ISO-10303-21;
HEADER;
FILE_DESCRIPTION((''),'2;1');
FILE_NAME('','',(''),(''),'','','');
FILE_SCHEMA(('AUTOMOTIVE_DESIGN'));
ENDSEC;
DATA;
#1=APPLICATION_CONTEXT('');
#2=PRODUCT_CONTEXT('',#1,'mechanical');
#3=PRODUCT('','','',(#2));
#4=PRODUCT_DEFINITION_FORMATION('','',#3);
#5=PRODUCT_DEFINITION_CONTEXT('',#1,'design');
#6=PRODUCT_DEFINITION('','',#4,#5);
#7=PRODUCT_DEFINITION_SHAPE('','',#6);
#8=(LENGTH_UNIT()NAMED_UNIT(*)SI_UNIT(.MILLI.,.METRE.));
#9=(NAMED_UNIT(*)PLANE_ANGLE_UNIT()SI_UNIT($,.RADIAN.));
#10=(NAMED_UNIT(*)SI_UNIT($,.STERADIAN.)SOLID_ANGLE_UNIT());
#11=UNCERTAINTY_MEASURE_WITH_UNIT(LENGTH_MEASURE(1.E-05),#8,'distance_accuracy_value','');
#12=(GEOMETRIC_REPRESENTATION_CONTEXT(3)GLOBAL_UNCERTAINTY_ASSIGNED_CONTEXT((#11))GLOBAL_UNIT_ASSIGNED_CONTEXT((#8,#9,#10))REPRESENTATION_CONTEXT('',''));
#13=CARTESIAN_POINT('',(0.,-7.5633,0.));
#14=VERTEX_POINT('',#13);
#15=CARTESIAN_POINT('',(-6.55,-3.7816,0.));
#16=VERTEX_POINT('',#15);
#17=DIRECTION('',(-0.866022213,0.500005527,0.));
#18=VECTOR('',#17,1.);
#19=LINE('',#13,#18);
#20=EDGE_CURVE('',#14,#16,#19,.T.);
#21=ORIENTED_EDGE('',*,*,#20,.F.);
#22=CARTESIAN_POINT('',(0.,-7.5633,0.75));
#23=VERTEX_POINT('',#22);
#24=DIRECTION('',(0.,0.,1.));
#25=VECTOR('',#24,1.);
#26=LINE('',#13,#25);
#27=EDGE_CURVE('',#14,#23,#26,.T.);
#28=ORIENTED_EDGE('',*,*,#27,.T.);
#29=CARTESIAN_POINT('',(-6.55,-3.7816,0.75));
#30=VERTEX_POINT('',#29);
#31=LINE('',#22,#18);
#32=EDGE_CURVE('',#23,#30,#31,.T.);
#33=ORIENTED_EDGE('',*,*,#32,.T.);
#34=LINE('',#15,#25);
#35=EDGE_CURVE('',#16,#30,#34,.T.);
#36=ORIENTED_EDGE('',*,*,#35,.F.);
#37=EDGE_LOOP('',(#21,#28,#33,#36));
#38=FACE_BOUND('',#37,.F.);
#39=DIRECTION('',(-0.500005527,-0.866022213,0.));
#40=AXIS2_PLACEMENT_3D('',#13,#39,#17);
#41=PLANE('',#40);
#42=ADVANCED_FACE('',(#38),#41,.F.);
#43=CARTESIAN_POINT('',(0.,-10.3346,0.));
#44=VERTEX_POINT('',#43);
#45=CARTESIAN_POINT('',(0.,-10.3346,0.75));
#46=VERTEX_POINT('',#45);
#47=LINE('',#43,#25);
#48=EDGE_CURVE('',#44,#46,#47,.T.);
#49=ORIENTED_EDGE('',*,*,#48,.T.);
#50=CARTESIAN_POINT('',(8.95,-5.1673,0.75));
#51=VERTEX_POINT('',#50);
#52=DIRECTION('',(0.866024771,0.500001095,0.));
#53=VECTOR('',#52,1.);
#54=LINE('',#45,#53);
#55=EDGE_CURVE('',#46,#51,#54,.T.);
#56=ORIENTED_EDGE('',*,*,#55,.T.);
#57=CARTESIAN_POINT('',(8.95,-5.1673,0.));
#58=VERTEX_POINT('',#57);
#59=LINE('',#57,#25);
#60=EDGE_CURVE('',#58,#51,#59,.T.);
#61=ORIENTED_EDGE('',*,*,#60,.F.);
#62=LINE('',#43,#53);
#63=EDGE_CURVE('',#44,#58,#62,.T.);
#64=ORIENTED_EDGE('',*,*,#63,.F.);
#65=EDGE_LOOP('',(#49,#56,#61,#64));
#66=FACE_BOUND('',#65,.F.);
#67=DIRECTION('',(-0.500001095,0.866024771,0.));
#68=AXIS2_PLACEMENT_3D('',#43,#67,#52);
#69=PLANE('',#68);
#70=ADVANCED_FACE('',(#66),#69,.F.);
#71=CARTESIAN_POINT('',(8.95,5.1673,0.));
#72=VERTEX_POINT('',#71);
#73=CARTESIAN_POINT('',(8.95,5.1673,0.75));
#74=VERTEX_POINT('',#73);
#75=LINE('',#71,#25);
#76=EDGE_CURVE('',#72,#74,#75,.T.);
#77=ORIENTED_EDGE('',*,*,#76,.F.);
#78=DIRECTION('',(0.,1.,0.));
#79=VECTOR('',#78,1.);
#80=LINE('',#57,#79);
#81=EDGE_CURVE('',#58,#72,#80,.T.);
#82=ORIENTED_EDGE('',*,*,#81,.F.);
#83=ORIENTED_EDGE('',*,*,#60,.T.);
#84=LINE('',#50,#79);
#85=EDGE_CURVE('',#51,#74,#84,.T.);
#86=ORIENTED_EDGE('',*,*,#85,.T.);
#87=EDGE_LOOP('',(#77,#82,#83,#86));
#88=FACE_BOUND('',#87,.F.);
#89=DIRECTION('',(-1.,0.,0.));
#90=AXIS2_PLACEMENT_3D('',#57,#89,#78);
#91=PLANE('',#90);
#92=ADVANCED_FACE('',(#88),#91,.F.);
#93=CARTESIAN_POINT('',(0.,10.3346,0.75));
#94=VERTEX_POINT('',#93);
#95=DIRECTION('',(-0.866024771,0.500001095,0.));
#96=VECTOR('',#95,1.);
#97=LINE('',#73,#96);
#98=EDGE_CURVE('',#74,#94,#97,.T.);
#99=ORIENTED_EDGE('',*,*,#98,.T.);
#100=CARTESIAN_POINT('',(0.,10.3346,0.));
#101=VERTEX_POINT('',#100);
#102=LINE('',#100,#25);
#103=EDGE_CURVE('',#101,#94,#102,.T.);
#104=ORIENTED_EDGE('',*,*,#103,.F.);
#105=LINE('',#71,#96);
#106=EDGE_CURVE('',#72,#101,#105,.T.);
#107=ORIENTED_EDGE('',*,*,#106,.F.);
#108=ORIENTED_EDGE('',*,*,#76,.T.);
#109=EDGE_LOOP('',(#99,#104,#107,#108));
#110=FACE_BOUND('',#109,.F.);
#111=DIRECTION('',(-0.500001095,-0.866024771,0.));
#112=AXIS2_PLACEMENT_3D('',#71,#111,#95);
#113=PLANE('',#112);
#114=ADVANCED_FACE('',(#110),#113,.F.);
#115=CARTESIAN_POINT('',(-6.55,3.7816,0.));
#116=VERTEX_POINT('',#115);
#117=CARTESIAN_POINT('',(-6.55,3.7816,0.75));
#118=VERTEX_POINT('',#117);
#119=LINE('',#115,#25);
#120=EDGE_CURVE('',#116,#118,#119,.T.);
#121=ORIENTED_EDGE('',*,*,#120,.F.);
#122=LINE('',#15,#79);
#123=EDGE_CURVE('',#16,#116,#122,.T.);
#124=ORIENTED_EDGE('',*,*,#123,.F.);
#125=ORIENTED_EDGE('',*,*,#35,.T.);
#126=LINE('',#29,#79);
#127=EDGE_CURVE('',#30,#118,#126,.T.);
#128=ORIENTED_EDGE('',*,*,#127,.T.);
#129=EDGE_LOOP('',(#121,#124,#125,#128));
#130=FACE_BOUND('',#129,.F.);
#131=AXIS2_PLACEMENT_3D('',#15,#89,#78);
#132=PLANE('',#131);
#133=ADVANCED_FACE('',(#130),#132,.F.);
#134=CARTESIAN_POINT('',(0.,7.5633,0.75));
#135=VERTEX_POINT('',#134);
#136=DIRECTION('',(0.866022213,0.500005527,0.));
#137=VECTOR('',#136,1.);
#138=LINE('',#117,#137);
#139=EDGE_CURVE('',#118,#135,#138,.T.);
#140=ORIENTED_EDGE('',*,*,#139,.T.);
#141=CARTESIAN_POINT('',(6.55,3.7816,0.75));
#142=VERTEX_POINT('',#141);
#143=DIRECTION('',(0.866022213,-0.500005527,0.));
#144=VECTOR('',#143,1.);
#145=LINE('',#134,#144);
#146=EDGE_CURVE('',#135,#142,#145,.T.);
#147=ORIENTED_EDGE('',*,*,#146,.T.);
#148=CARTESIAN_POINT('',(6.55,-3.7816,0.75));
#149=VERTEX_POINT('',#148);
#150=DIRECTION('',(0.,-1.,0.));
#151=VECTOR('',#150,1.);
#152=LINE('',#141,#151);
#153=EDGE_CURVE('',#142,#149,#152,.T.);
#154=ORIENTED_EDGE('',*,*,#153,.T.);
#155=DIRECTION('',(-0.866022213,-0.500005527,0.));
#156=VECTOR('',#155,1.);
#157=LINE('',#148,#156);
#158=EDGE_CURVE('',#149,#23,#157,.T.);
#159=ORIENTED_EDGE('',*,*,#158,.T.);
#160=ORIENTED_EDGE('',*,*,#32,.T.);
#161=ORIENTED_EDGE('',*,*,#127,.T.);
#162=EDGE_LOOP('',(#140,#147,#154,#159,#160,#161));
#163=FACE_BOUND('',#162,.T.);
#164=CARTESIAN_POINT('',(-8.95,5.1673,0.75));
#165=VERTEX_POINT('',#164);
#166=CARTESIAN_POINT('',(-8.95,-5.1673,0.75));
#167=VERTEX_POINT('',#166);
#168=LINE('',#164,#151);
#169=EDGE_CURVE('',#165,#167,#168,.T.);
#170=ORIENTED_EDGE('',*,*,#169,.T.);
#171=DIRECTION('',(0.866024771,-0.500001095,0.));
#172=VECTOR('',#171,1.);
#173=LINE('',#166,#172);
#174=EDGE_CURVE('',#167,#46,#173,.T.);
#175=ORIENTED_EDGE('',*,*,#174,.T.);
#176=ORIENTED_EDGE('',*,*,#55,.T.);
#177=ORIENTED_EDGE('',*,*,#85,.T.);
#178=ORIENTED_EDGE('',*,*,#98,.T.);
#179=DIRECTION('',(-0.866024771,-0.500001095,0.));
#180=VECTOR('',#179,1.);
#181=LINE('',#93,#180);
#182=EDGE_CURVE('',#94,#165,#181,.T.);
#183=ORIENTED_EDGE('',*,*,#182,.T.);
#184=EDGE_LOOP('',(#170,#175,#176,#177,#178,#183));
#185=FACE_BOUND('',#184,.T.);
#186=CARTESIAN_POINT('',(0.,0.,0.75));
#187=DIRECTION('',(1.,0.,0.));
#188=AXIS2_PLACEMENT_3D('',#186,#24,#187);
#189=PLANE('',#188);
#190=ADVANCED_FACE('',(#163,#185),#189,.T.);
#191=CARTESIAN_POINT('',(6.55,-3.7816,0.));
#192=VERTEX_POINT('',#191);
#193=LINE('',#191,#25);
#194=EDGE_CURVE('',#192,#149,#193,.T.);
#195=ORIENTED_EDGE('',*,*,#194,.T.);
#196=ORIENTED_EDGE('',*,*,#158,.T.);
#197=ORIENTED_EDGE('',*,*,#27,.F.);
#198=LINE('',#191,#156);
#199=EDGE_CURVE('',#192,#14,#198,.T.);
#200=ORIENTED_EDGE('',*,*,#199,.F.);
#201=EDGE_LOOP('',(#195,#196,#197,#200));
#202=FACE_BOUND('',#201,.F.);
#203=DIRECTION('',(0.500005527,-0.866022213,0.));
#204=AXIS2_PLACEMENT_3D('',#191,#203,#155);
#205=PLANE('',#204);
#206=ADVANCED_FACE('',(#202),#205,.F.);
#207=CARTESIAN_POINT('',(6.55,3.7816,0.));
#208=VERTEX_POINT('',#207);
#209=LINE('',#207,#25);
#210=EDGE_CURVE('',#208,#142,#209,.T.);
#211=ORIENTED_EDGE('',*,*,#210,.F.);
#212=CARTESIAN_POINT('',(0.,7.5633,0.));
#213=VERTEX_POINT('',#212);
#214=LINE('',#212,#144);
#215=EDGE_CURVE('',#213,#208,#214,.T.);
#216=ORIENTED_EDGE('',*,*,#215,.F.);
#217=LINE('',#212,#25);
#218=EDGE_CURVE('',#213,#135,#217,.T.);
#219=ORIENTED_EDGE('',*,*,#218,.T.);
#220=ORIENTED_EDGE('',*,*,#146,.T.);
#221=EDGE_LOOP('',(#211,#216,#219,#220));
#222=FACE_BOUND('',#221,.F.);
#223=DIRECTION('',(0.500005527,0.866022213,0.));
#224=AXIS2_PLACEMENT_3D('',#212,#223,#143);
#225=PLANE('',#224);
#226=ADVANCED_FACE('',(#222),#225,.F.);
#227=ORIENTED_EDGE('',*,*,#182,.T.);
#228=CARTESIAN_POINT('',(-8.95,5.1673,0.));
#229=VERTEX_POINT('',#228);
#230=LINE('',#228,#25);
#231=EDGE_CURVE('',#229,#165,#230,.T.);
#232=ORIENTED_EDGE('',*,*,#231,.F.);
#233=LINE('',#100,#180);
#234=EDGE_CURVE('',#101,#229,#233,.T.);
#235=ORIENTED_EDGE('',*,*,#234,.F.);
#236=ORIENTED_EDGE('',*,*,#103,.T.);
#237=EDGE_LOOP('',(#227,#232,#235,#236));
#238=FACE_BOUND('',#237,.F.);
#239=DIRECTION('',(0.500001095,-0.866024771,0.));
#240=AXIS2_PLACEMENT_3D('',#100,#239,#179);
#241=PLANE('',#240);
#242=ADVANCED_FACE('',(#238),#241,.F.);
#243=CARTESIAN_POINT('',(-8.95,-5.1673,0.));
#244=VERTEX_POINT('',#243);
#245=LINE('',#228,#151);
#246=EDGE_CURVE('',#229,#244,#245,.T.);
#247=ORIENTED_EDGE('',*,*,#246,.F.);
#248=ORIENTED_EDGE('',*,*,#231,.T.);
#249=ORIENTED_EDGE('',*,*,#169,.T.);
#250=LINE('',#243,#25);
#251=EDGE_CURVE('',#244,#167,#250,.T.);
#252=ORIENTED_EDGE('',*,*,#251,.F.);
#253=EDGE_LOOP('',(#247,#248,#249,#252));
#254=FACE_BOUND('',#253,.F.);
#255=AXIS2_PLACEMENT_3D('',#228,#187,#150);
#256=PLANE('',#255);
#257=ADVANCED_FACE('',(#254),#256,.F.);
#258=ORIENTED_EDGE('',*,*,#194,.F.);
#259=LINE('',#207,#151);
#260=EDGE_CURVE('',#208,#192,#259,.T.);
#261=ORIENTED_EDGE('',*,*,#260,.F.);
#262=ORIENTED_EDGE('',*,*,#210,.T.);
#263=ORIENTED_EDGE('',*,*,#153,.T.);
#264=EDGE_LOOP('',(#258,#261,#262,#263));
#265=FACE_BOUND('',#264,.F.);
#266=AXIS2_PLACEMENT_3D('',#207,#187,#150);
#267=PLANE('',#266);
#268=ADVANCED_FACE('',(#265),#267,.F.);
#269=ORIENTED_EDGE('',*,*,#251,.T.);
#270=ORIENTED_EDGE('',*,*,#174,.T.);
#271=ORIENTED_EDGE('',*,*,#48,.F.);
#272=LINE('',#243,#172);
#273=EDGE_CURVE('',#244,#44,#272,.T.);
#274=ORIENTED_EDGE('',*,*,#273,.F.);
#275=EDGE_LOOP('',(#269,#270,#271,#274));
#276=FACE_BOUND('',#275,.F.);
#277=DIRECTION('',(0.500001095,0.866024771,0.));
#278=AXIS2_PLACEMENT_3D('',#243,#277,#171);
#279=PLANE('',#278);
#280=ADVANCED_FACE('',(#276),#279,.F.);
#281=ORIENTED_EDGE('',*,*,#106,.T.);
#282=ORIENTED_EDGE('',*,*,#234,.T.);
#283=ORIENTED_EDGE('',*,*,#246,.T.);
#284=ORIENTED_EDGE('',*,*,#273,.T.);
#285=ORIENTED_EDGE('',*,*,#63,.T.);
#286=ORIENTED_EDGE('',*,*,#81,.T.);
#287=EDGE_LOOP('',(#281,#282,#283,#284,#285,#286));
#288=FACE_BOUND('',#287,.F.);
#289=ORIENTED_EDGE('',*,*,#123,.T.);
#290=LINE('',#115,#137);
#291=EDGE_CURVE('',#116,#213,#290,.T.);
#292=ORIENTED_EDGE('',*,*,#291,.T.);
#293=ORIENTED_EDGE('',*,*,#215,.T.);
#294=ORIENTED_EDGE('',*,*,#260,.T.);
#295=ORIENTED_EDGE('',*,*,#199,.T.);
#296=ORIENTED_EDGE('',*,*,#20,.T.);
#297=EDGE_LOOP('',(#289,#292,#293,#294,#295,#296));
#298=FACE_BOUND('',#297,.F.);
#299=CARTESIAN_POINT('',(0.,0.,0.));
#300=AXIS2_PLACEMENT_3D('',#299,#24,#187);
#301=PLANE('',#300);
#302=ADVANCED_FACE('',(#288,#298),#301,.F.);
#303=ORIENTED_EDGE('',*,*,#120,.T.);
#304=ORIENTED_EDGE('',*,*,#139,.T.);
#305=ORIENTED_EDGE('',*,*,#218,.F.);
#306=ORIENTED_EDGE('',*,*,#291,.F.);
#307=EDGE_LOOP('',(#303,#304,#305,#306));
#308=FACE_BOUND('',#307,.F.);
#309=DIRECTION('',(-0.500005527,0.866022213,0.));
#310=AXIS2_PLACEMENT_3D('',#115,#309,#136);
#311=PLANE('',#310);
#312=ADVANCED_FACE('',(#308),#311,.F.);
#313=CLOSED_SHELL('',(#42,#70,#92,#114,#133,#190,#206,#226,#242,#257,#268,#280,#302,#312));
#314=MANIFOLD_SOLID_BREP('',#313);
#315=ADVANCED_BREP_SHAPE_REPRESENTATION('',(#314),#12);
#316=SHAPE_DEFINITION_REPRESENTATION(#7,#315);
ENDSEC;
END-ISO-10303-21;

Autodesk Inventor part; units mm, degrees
ref_plane "YZ Plane" through (0, 0, 0) normal (1, 0, 0) x (0, 1, 0)
ref_plane "XZ Plane" through (0, 0, 0) normal (0, 1, 0) x (-1, 0, 0)
ref_plane "XY Plane" through (0, 0, 0) normal (0, 0, 1) x (1, 0, 0)
sketch "Sketch1" plane through (0, 0, 0) normal (0, 0, 1) x (1, 0, 0)
  line L0 (0, 7.5633) -> (6.55, 3.7816)
  line L1 (6.55, 3.7816) -> (6.55, -3.7816)
  line L2 (6.55, -3.7816) -> (0, -7.5633)
  line L3 (0, -7.5633) -> (-6.55, -3.7816)
  line L4 (-6.55, -3.7816) -> (-6.55, 3.7816)
  line L5 (-6.55, 3.7816) -> (0, 7.5633)
  line L6 (-8.95, 5.1673) -> (-8.95, -5.1673)
  line L7 (-8.95, -5.1673) -> (0, -10.3346)
  line L8 (0, -10.3346) -> (8.95, -5.1673)
  line L9 (8.95, -5.1673) -> (8.95, 5.1673)
  line L10 (8.95, 5.1673) -> (0, 10.3346)
  line L11 (0, 10.3346) -> (-8.95, 5.1673)
  point P0 (0, 0)
  point P1 (0, 0)
  point P2 (-6.55, 0)
  dimension "d0" = 13.1
  dimension "d1" = 2.4
extrude "Extrusion1" add sketch "Sketch1" along normal blind 0.75
properties part number "Shaft Spacers V2"
